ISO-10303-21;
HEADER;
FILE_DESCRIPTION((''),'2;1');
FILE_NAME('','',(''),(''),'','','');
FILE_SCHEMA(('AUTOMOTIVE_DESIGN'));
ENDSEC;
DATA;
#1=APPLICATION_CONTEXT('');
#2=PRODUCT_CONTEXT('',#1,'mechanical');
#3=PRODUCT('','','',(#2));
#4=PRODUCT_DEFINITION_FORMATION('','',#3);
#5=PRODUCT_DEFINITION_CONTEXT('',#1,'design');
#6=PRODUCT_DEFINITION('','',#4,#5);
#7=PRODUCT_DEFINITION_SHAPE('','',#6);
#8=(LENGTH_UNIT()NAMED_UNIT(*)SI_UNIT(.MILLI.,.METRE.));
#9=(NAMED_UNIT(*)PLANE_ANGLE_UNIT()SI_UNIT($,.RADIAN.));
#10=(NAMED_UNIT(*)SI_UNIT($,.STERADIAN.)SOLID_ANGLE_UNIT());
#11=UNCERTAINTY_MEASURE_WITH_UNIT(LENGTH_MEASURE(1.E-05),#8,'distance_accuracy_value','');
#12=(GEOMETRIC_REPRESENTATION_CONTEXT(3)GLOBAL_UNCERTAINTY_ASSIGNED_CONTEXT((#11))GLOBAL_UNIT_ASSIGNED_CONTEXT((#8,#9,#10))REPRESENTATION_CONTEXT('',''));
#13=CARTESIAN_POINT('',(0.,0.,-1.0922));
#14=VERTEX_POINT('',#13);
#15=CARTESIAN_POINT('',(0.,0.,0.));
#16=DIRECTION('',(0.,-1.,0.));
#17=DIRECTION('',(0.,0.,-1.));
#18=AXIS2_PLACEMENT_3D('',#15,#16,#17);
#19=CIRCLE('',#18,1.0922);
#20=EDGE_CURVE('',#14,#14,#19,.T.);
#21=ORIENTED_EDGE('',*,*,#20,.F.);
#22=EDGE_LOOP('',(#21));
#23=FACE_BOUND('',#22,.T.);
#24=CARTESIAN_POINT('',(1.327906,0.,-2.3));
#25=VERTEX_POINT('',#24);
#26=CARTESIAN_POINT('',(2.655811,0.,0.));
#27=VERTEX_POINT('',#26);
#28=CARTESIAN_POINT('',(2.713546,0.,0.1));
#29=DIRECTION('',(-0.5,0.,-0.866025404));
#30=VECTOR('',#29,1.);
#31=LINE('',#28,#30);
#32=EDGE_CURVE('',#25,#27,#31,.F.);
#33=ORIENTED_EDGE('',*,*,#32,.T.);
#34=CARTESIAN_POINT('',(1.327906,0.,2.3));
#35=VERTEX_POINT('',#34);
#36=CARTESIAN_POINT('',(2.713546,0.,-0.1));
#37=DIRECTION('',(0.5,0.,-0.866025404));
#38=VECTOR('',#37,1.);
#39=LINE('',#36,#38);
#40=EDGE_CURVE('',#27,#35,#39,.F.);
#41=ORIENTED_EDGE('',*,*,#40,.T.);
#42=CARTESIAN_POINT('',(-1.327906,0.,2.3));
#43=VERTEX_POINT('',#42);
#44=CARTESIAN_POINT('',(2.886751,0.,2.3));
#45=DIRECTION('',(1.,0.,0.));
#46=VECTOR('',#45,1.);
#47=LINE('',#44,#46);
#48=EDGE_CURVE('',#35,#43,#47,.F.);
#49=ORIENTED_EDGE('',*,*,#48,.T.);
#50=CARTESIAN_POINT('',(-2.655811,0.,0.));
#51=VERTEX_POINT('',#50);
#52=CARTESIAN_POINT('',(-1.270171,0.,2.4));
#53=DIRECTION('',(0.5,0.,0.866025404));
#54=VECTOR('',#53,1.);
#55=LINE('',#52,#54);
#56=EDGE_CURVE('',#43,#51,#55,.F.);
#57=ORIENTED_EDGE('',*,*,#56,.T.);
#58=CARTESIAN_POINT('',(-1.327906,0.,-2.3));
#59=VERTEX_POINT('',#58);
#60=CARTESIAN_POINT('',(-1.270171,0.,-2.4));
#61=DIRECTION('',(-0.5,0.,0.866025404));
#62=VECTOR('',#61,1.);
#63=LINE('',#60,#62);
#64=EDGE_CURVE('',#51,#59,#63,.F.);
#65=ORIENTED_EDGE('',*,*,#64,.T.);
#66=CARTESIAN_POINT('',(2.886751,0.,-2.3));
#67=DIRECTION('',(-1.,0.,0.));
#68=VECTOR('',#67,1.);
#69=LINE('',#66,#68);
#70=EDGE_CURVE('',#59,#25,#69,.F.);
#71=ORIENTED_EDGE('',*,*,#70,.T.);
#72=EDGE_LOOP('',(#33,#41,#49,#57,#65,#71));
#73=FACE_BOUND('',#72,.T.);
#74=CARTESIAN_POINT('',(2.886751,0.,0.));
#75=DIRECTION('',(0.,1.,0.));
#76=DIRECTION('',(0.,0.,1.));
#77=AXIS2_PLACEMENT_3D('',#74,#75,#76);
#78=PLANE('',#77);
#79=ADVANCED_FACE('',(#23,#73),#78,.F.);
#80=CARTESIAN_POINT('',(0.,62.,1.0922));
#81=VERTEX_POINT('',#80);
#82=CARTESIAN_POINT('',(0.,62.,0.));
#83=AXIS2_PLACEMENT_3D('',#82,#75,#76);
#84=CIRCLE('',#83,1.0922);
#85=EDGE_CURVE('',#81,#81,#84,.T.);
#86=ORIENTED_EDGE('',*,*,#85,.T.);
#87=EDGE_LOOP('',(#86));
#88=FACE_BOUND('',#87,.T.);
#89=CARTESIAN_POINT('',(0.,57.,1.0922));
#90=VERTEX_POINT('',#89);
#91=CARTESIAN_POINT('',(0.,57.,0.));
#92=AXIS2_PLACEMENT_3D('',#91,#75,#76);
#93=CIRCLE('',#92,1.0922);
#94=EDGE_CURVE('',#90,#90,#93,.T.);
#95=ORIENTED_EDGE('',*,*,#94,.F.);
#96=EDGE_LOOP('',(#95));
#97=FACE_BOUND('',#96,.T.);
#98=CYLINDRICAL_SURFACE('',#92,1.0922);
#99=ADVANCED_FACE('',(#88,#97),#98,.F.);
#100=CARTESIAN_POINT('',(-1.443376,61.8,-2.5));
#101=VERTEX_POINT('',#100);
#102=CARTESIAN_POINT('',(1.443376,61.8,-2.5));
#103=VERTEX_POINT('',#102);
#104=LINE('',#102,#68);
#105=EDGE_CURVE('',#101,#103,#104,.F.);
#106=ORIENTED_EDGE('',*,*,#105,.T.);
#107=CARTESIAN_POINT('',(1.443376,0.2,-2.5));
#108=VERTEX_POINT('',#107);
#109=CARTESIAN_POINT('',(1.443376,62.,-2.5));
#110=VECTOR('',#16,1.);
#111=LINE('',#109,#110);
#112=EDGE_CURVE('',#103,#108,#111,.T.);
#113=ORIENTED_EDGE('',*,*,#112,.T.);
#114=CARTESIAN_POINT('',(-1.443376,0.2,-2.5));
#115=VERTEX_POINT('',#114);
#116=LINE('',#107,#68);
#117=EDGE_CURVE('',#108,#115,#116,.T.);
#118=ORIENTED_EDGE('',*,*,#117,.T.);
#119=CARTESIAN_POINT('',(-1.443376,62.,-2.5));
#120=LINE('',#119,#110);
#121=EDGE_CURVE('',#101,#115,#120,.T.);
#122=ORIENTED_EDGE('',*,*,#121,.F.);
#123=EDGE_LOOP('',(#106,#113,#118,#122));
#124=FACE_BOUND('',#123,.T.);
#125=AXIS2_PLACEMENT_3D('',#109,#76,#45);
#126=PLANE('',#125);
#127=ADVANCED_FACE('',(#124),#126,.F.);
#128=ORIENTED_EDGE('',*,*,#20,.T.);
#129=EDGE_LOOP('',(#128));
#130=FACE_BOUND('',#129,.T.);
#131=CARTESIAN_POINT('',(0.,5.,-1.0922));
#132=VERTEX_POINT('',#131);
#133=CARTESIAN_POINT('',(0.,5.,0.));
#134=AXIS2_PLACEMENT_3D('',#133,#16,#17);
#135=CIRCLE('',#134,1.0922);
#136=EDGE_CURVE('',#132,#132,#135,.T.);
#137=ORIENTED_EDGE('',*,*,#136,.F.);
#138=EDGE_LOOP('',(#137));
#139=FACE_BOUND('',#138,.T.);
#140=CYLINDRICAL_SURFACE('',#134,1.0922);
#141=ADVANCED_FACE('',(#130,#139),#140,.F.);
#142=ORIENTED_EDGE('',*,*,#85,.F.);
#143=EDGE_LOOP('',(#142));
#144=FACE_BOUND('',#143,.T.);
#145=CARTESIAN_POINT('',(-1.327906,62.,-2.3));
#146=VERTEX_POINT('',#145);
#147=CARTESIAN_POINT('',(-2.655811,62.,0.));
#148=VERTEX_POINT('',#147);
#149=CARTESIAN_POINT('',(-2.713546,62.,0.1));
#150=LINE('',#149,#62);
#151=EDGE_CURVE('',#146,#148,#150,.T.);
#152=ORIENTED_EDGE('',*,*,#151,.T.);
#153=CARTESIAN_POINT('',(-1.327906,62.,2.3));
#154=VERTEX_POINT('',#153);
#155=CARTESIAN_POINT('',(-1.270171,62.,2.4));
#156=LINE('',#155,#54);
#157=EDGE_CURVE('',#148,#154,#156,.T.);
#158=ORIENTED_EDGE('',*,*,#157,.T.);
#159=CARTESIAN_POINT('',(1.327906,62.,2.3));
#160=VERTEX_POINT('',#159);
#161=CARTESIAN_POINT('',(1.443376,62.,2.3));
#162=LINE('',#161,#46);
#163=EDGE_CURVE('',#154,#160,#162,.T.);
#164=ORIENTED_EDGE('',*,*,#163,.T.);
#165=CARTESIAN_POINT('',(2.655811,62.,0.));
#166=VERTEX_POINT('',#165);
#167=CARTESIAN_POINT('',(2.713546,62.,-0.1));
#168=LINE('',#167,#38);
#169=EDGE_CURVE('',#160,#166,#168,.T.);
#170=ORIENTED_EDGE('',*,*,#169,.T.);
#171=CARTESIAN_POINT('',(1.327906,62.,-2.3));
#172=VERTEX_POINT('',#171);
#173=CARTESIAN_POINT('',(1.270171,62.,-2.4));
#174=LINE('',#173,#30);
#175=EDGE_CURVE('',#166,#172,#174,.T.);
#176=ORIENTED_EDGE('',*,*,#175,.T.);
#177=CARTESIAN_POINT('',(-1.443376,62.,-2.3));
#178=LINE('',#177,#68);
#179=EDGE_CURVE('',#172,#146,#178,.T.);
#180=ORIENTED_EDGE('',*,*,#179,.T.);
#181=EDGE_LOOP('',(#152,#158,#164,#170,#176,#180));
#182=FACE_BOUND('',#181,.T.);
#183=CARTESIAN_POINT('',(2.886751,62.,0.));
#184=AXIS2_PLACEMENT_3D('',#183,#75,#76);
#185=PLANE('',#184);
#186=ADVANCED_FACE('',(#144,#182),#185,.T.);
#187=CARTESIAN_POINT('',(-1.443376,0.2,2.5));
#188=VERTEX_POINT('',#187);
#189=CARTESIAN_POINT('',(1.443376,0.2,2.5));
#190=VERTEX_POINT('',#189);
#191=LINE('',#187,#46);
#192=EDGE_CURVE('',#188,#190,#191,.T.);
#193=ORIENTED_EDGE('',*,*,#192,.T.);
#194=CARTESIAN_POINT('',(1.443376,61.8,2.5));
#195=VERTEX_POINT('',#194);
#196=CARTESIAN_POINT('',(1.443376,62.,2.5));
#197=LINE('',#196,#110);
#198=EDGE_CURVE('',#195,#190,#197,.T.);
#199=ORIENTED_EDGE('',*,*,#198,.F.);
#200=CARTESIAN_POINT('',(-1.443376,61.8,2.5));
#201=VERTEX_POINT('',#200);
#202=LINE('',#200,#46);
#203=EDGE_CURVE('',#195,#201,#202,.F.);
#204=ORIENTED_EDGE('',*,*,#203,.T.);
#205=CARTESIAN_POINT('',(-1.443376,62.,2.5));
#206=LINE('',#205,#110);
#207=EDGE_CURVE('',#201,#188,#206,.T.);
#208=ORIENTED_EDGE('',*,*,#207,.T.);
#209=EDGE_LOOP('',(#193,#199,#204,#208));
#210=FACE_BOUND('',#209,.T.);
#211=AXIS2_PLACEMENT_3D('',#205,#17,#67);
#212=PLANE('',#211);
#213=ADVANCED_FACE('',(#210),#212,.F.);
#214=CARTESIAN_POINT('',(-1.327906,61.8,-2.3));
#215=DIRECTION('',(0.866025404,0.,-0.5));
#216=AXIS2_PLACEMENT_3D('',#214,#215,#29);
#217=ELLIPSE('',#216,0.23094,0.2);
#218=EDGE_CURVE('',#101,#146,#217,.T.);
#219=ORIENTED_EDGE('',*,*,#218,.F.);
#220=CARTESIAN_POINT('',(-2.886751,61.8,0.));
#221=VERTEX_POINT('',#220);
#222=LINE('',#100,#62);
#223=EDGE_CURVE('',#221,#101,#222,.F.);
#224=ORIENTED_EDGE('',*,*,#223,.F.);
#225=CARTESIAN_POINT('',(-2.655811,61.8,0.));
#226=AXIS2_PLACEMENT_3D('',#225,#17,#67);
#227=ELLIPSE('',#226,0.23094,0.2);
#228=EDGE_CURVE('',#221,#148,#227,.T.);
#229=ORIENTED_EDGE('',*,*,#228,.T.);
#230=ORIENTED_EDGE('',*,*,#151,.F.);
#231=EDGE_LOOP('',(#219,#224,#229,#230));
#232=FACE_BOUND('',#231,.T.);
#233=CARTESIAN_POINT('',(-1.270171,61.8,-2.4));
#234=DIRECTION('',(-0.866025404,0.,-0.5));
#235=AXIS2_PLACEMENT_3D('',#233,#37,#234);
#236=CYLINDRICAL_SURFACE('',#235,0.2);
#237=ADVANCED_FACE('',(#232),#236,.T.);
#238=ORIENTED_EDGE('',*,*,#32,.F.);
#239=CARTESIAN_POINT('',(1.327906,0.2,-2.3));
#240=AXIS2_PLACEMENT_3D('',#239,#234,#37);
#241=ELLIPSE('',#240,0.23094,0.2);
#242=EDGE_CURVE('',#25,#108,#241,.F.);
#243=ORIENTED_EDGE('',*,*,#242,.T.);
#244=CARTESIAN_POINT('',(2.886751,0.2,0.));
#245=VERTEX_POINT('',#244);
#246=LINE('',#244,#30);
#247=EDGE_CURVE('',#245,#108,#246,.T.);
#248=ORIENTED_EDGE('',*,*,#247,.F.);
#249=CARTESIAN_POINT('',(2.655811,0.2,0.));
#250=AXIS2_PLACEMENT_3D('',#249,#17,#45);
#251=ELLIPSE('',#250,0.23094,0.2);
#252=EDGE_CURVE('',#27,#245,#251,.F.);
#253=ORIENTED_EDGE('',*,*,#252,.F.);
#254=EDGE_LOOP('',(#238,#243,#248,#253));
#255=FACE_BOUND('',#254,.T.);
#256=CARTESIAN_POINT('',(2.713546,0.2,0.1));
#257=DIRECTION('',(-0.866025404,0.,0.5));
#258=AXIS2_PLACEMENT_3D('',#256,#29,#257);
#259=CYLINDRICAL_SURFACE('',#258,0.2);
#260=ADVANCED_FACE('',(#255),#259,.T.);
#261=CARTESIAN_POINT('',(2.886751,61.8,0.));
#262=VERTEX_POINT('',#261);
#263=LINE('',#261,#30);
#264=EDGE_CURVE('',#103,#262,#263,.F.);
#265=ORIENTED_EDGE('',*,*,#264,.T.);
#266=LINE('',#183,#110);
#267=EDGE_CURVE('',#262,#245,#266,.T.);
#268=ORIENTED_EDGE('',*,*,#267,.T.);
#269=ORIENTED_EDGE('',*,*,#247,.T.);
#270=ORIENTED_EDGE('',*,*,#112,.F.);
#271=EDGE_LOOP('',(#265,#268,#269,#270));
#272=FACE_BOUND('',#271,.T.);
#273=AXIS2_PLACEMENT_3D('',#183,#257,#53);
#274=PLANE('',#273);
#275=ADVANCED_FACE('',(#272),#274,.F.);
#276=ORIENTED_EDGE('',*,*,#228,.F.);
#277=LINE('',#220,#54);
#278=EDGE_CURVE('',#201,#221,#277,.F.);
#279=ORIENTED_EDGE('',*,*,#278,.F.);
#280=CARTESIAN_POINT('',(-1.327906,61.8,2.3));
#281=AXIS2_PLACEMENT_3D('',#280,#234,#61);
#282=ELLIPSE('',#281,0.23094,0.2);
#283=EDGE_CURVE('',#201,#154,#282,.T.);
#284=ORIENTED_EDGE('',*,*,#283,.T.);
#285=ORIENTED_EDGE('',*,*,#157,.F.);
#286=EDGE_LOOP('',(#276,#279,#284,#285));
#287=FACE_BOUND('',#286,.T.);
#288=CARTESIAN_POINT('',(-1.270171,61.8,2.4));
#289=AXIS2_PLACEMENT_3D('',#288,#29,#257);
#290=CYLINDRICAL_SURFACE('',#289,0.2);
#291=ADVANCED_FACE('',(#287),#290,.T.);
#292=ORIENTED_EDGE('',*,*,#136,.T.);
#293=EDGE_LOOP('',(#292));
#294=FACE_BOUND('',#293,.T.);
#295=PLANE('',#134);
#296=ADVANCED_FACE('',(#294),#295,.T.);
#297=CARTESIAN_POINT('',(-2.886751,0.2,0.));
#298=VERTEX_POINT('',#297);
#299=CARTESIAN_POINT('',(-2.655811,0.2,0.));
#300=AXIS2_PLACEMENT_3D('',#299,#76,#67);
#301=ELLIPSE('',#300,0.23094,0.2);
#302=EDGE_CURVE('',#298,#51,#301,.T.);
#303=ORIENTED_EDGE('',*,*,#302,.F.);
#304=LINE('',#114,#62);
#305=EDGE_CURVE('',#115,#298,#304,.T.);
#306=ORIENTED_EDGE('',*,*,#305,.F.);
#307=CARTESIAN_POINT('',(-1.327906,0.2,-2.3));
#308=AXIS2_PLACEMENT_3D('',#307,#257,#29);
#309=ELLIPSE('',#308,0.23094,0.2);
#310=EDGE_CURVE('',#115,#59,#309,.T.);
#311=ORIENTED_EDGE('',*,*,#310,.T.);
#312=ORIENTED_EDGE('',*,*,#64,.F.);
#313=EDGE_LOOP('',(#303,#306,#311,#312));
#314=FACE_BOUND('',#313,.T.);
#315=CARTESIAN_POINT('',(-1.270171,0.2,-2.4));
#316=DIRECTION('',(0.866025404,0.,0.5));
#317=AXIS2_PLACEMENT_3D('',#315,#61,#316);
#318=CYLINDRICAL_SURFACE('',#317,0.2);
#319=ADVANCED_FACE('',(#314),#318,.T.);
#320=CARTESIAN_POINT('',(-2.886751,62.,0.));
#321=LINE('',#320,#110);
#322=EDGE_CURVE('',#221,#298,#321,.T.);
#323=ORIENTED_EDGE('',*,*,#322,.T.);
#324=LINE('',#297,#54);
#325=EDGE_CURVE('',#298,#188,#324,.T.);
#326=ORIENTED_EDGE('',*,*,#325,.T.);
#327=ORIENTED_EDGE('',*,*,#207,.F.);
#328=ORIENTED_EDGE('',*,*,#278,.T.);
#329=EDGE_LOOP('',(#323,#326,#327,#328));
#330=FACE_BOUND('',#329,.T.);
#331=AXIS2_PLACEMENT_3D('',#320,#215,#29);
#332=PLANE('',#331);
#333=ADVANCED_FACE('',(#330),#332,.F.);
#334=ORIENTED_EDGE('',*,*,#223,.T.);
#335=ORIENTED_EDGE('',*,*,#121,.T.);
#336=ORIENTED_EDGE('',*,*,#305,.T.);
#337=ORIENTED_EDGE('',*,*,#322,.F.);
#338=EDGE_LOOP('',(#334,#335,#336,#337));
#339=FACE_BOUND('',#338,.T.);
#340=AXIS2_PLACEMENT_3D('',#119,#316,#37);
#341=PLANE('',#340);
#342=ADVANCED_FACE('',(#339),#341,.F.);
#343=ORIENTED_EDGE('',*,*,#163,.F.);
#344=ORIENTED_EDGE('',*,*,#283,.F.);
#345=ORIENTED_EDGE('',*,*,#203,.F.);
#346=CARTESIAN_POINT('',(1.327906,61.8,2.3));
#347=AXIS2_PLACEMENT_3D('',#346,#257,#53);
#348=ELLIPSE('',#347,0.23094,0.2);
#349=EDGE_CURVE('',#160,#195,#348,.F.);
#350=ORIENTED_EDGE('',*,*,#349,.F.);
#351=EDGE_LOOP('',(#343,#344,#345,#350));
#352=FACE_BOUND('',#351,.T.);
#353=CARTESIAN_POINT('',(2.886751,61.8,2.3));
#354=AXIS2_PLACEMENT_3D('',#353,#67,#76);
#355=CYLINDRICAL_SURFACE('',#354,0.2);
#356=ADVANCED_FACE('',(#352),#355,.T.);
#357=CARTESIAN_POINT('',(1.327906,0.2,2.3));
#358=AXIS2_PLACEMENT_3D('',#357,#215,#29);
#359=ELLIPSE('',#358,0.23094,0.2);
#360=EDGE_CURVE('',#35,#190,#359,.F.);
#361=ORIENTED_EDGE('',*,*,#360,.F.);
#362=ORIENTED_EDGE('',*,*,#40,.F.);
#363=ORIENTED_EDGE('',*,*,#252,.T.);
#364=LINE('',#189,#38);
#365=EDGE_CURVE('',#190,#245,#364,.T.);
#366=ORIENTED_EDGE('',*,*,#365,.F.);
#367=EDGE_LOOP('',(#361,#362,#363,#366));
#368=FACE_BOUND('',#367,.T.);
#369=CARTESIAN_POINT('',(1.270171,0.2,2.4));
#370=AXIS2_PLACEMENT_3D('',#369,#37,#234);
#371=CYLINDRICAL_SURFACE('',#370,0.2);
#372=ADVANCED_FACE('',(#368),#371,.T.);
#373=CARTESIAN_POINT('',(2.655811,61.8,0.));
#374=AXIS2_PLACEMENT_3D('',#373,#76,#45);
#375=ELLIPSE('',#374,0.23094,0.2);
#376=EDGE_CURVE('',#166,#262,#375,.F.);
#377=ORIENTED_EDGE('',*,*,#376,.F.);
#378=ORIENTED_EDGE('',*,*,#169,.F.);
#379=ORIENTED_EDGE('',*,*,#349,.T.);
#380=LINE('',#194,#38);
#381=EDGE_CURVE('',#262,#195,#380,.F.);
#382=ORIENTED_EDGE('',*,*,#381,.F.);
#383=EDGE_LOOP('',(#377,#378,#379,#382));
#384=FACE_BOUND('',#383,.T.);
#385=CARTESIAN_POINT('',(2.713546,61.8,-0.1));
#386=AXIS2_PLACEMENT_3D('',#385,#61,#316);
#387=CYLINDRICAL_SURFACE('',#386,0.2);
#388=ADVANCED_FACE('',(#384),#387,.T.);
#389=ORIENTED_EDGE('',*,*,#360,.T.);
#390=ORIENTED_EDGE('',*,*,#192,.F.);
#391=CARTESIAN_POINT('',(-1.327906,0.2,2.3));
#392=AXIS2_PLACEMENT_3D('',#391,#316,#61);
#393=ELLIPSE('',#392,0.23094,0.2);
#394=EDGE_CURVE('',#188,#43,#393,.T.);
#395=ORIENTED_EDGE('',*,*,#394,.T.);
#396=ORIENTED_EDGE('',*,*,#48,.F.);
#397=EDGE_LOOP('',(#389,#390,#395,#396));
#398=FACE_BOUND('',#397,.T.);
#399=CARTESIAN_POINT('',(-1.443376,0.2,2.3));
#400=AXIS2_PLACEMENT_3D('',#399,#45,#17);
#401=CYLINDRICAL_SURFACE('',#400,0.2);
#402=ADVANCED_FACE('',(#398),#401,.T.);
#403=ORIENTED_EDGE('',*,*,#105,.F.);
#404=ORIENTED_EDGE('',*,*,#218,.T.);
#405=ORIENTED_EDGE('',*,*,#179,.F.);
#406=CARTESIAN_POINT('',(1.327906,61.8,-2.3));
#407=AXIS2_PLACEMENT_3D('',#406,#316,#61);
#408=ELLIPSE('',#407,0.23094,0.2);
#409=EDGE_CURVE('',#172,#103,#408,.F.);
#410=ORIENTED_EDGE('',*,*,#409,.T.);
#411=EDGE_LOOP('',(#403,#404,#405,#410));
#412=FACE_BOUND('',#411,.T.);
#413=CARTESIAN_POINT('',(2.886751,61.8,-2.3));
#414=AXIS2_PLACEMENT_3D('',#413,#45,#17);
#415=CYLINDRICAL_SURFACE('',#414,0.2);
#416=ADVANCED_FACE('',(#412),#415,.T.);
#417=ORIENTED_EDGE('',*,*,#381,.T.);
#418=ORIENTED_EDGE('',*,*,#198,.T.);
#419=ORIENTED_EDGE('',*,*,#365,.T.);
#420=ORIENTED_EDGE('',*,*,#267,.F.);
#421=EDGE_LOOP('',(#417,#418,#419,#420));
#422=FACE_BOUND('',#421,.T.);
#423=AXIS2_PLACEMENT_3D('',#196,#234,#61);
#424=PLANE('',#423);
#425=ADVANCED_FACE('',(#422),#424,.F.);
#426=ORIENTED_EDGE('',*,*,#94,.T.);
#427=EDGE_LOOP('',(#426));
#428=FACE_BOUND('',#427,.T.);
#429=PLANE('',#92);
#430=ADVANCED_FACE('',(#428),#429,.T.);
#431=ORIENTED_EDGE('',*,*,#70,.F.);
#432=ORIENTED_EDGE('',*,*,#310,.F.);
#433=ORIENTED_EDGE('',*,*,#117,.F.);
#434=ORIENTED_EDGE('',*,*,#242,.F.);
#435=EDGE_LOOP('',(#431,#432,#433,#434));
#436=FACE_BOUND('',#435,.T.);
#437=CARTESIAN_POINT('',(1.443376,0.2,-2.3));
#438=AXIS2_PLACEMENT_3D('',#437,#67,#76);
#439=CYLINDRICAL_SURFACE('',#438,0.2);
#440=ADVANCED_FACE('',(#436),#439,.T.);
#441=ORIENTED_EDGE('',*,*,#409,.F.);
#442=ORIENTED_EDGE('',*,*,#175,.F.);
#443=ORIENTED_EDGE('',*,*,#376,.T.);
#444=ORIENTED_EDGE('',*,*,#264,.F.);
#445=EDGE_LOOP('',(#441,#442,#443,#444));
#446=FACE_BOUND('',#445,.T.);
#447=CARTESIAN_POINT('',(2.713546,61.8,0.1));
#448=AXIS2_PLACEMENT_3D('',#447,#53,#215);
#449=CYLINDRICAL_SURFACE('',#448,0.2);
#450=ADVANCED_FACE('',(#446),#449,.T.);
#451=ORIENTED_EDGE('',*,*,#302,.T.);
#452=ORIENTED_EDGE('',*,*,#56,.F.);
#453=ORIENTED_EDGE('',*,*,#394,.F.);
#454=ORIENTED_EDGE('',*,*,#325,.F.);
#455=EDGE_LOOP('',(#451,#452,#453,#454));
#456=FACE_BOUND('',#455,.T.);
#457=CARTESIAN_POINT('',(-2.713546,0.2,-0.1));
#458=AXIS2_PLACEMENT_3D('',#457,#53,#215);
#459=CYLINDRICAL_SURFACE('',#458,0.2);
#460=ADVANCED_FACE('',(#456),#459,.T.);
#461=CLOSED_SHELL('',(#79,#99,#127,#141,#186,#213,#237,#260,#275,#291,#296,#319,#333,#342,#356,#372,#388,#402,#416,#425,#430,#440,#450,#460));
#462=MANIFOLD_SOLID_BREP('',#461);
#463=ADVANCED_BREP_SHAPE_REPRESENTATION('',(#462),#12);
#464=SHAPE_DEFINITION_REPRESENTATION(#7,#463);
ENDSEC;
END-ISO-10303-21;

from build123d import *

# Parameters (mm, degrees)
RESSALTO_EXTRUS_O1_DEPTH = 62
FILETE1_R                = 0.2
ESBO_O3_R                = 1.0922
CORTE_EXTRUS_O1_DEPTH    = 5
CORTE_EXTRUS_O2_START    = -5
ESBO_O2_R                = 1.0922
CORTE_EXTRUS_O2_DEPTH    = 5


with BuildPart() as part:
    # Esboço1 → Ressalto-extrusão1 (new body)
    with BuildSketch(Plane(origin=(0, 0, 0), x_dir=(1, 0, 0), z_dir=(0, 1, 0))):
        Polygon((2.886751346, 0), (1.443375673, 2.5), (-1.443375673, 2.5), (-2.886751346, 0), (-1.443375673, -2.5), (1.443375673, -2.5), align=None)
    extrude(amount=RESSALTO_EXTRUS_O1_DEPTH)

    # Filete1
    filete1_edges = [part.edges().sort_by_distance(p)[0] for p in [
        (0, 62, -2.5),
        (-2.165063509, 62, -1.25),
        (-2.165063509, 62, 1.25),
        (0, 62, 2.5),
        (2.165063509, 62, 1.25),
        (0, 0, 2.5),
        (-2.165063509, 0, 1.25),
        (-2.165063509, 0, -1.25),
        (2.165063509, 62, -1.25),
        (0, 0, -2.5),
        (2.165063509, 0, -1.25),
        (2.165063509, 0, 1.25),
    ]]
    fillet(filete1_edges, radius=FILETE1_R)

    # Esboço3 → Corte-extrusão1 (cut)
    with BuildSketch(Plane(origin=(0, 62, 0), x_dir=(1, 0, 0), z_dir=(0, 1, 0))):
        with Locations(Location((0, 0, 0), (0, 0, 270))):
            Circle(ESBO_O3_R)
    extrude(amount=-CORTE_EXTRUS_O1_DEPTH, mode=Mode.SUBTRACT)

    # Esboço2 → Corte-extrusão2 (cut)
    with BuildSketch(Plane.XZ.offset(CORTE_EXTRUS_O2_START)):
        with Locations(Location((0, 0, 0), (0, 0, 90))):
            Circle(ESBO_O2_R)
    extrude(amount=CORTE_EXTRUS_O2_DEPTH, mode=Mode.SUBTRACT)


solid = part.part
